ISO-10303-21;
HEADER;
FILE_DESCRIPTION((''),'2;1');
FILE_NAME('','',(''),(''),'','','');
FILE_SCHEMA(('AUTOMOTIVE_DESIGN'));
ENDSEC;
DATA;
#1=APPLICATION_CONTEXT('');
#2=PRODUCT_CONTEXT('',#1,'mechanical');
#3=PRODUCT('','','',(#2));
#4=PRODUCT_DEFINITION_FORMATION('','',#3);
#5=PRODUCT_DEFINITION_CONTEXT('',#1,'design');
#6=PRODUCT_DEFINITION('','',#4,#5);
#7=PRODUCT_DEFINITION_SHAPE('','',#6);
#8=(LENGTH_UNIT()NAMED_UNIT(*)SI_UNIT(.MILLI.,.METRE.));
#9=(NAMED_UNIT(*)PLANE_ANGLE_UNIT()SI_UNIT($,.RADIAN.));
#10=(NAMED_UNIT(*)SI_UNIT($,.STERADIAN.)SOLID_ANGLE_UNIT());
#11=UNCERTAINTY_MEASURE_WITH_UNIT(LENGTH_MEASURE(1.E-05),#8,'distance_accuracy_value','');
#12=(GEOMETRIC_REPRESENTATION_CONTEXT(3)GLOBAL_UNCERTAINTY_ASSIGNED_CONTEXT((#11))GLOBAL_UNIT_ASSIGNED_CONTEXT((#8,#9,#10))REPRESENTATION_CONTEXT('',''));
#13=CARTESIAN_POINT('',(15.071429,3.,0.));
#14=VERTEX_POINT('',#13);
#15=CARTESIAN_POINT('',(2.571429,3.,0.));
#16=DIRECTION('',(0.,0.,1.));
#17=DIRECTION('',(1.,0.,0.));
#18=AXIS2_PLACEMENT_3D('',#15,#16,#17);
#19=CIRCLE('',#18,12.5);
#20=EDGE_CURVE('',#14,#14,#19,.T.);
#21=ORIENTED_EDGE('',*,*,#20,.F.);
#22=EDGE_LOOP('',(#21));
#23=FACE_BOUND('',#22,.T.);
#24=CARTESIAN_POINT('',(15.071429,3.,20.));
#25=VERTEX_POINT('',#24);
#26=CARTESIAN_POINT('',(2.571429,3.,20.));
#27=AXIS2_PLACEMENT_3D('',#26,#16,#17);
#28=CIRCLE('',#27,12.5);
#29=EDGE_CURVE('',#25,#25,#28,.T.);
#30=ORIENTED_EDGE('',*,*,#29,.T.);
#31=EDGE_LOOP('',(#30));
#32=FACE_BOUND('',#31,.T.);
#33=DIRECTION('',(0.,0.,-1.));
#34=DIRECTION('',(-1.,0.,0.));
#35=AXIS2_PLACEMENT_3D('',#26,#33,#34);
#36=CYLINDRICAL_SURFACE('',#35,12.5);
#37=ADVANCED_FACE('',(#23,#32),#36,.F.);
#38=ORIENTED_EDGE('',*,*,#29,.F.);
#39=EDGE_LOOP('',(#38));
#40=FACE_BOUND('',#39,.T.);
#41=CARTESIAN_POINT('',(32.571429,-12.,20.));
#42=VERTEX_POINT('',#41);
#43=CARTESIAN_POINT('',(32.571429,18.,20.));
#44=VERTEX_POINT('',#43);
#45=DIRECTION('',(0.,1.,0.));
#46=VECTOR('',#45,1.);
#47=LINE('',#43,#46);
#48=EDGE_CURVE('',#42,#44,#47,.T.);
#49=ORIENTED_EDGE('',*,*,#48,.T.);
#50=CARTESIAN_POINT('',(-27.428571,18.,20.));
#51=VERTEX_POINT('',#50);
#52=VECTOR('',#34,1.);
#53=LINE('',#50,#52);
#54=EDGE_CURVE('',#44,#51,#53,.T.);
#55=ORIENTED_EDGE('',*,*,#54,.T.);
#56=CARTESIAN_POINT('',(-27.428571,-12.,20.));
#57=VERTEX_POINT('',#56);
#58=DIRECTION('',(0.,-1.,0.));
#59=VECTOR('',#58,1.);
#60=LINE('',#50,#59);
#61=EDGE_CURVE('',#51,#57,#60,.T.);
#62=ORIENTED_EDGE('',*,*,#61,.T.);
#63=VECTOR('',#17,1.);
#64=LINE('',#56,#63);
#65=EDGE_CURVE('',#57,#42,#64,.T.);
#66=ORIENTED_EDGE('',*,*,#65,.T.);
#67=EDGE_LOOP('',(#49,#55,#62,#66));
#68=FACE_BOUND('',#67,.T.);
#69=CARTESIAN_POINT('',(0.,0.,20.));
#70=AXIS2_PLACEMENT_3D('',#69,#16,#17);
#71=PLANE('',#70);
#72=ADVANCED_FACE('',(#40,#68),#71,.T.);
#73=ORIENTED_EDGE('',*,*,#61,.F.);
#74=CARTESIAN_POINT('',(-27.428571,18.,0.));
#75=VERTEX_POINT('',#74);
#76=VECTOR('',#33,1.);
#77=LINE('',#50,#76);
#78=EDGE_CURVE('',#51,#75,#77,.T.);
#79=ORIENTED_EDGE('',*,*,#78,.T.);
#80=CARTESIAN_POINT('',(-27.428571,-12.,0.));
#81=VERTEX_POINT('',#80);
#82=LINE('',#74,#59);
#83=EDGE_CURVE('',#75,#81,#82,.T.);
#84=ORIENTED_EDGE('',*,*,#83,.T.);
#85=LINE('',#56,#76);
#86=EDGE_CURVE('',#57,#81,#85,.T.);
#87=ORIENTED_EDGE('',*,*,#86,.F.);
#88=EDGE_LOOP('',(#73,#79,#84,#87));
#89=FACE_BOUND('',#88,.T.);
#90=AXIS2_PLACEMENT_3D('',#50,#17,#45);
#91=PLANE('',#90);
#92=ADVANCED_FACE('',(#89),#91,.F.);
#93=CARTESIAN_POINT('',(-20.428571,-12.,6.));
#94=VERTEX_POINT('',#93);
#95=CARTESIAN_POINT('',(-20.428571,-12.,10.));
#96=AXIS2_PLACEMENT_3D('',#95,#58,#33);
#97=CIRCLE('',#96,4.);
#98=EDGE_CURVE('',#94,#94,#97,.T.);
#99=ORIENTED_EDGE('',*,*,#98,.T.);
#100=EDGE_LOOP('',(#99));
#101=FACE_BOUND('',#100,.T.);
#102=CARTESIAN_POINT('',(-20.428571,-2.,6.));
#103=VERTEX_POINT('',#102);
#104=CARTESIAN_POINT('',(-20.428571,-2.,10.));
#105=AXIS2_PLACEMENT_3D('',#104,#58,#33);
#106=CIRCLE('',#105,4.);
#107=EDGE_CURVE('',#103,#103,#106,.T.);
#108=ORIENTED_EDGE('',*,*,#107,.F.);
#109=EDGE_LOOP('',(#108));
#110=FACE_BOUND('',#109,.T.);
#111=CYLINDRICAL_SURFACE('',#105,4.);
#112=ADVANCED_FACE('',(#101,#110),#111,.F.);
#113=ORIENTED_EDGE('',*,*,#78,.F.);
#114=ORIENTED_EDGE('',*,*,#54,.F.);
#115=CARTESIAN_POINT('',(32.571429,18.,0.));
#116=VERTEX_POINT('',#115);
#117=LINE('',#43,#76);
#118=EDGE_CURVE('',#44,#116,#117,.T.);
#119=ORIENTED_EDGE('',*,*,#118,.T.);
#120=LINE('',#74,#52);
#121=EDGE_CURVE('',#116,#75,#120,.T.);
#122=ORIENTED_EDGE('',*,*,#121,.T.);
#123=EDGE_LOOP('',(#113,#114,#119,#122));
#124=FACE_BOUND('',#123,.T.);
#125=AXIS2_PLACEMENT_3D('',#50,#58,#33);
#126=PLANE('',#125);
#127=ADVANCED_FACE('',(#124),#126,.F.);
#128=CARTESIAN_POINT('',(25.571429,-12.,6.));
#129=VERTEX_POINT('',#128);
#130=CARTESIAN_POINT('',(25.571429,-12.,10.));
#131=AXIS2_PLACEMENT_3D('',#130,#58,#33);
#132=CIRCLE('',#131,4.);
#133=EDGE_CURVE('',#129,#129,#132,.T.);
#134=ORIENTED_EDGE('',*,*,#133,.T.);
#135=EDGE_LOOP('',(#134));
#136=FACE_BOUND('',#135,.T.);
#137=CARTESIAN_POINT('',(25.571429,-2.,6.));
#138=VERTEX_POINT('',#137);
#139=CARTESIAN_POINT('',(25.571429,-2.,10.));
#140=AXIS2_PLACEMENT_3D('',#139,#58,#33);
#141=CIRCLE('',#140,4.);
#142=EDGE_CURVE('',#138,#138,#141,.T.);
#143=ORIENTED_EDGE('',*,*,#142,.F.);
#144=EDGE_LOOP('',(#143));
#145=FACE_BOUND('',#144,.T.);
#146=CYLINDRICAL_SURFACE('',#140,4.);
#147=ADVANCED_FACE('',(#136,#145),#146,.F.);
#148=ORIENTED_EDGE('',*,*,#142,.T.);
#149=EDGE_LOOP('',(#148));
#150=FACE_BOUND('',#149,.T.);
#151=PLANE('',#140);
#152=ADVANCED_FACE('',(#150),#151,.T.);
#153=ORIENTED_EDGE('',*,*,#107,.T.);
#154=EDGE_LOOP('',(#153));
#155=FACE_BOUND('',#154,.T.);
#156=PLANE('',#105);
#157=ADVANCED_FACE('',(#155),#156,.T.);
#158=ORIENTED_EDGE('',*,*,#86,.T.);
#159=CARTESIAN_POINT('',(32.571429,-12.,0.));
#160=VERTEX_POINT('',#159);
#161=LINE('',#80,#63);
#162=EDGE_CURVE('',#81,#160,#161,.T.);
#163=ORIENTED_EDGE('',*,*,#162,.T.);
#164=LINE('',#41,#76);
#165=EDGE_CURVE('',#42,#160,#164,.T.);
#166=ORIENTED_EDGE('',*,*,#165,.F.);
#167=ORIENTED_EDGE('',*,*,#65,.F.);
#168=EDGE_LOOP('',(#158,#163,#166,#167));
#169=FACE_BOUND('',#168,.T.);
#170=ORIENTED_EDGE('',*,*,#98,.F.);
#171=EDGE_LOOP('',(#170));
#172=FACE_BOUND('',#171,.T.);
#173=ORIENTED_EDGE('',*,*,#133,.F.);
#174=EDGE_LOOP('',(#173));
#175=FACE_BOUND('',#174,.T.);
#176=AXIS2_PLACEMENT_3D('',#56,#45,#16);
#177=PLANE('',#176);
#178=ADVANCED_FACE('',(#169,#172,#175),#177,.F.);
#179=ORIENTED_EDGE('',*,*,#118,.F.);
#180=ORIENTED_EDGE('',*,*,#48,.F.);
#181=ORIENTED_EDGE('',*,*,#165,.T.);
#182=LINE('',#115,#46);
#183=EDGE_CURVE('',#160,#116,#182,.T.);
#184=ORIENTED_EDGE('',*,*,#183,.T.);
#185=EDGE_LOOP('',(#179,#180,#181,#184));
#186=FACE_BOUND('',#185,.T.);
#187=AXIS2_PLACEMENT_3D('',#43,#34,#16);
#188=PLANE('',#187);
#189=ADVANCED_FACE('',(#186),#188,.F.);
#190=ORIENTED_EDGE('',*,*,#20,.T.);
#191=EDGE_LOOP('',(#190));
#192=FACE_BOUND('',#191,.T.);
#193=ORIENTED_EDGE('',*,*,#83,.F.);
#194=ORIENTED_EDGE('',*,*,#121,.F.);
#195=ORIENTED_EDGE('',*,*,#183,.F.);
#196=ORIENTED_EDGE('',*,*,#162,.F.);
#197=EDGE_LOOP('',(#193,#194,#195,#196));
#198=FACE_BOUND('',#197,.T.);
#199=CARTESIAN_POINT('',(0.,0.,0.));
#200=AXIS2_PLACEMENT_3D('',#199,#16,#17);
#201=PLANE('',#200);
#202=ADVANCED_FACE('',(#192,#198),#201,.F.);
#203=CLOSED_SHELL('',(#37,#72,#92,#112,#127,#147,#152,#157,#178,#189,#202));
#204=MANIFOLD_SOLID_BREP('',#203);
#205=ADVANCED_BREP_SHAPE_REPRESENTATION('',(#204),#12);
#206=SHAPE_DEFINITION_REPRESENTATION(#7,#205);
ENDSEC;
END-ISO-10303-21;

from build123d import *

# Parameters (mm, degrees)
SKETCH1_W           = 60
SKETCH1_H           = 30
SKETCH1_R           = 12.5
BOSS_EXTRUDE2_DEPTH = 20
SKETCH2_R           = 4
CUT_EXTRUDE1_DEPTH  = 10


with BuildPart() as part:
    # Sketch1 → Boss-Extrude2 (new body)
    with BuildSketch(Plane.XY):
        with Locations((2.571428571, 3)):
            Rectangle(SKETCH1_W, SKETCH1_H)
        with Locations((2.571428571, 3)):
            Circle(SKETCH1_R, mode=Mode.SUBTRACT)
    extrude(amount=BOSS_EXTRUDE2_DEPTH)

    # Sketch2 → Cut-Extrude1 (cut)
    with BuildSketch(Plane.XZ.offset(12)):
        with Locations((-20.428571429, 10)):
            Circle(SKETCH2_R)
        with Locations((25.571428571, 10)):
            Circle(SKETCH2_R)
    extrude(amount=-CUT_EXTRUDE1_DEPTH, mode=Mode.SUBTRACT)


solid = part.part
